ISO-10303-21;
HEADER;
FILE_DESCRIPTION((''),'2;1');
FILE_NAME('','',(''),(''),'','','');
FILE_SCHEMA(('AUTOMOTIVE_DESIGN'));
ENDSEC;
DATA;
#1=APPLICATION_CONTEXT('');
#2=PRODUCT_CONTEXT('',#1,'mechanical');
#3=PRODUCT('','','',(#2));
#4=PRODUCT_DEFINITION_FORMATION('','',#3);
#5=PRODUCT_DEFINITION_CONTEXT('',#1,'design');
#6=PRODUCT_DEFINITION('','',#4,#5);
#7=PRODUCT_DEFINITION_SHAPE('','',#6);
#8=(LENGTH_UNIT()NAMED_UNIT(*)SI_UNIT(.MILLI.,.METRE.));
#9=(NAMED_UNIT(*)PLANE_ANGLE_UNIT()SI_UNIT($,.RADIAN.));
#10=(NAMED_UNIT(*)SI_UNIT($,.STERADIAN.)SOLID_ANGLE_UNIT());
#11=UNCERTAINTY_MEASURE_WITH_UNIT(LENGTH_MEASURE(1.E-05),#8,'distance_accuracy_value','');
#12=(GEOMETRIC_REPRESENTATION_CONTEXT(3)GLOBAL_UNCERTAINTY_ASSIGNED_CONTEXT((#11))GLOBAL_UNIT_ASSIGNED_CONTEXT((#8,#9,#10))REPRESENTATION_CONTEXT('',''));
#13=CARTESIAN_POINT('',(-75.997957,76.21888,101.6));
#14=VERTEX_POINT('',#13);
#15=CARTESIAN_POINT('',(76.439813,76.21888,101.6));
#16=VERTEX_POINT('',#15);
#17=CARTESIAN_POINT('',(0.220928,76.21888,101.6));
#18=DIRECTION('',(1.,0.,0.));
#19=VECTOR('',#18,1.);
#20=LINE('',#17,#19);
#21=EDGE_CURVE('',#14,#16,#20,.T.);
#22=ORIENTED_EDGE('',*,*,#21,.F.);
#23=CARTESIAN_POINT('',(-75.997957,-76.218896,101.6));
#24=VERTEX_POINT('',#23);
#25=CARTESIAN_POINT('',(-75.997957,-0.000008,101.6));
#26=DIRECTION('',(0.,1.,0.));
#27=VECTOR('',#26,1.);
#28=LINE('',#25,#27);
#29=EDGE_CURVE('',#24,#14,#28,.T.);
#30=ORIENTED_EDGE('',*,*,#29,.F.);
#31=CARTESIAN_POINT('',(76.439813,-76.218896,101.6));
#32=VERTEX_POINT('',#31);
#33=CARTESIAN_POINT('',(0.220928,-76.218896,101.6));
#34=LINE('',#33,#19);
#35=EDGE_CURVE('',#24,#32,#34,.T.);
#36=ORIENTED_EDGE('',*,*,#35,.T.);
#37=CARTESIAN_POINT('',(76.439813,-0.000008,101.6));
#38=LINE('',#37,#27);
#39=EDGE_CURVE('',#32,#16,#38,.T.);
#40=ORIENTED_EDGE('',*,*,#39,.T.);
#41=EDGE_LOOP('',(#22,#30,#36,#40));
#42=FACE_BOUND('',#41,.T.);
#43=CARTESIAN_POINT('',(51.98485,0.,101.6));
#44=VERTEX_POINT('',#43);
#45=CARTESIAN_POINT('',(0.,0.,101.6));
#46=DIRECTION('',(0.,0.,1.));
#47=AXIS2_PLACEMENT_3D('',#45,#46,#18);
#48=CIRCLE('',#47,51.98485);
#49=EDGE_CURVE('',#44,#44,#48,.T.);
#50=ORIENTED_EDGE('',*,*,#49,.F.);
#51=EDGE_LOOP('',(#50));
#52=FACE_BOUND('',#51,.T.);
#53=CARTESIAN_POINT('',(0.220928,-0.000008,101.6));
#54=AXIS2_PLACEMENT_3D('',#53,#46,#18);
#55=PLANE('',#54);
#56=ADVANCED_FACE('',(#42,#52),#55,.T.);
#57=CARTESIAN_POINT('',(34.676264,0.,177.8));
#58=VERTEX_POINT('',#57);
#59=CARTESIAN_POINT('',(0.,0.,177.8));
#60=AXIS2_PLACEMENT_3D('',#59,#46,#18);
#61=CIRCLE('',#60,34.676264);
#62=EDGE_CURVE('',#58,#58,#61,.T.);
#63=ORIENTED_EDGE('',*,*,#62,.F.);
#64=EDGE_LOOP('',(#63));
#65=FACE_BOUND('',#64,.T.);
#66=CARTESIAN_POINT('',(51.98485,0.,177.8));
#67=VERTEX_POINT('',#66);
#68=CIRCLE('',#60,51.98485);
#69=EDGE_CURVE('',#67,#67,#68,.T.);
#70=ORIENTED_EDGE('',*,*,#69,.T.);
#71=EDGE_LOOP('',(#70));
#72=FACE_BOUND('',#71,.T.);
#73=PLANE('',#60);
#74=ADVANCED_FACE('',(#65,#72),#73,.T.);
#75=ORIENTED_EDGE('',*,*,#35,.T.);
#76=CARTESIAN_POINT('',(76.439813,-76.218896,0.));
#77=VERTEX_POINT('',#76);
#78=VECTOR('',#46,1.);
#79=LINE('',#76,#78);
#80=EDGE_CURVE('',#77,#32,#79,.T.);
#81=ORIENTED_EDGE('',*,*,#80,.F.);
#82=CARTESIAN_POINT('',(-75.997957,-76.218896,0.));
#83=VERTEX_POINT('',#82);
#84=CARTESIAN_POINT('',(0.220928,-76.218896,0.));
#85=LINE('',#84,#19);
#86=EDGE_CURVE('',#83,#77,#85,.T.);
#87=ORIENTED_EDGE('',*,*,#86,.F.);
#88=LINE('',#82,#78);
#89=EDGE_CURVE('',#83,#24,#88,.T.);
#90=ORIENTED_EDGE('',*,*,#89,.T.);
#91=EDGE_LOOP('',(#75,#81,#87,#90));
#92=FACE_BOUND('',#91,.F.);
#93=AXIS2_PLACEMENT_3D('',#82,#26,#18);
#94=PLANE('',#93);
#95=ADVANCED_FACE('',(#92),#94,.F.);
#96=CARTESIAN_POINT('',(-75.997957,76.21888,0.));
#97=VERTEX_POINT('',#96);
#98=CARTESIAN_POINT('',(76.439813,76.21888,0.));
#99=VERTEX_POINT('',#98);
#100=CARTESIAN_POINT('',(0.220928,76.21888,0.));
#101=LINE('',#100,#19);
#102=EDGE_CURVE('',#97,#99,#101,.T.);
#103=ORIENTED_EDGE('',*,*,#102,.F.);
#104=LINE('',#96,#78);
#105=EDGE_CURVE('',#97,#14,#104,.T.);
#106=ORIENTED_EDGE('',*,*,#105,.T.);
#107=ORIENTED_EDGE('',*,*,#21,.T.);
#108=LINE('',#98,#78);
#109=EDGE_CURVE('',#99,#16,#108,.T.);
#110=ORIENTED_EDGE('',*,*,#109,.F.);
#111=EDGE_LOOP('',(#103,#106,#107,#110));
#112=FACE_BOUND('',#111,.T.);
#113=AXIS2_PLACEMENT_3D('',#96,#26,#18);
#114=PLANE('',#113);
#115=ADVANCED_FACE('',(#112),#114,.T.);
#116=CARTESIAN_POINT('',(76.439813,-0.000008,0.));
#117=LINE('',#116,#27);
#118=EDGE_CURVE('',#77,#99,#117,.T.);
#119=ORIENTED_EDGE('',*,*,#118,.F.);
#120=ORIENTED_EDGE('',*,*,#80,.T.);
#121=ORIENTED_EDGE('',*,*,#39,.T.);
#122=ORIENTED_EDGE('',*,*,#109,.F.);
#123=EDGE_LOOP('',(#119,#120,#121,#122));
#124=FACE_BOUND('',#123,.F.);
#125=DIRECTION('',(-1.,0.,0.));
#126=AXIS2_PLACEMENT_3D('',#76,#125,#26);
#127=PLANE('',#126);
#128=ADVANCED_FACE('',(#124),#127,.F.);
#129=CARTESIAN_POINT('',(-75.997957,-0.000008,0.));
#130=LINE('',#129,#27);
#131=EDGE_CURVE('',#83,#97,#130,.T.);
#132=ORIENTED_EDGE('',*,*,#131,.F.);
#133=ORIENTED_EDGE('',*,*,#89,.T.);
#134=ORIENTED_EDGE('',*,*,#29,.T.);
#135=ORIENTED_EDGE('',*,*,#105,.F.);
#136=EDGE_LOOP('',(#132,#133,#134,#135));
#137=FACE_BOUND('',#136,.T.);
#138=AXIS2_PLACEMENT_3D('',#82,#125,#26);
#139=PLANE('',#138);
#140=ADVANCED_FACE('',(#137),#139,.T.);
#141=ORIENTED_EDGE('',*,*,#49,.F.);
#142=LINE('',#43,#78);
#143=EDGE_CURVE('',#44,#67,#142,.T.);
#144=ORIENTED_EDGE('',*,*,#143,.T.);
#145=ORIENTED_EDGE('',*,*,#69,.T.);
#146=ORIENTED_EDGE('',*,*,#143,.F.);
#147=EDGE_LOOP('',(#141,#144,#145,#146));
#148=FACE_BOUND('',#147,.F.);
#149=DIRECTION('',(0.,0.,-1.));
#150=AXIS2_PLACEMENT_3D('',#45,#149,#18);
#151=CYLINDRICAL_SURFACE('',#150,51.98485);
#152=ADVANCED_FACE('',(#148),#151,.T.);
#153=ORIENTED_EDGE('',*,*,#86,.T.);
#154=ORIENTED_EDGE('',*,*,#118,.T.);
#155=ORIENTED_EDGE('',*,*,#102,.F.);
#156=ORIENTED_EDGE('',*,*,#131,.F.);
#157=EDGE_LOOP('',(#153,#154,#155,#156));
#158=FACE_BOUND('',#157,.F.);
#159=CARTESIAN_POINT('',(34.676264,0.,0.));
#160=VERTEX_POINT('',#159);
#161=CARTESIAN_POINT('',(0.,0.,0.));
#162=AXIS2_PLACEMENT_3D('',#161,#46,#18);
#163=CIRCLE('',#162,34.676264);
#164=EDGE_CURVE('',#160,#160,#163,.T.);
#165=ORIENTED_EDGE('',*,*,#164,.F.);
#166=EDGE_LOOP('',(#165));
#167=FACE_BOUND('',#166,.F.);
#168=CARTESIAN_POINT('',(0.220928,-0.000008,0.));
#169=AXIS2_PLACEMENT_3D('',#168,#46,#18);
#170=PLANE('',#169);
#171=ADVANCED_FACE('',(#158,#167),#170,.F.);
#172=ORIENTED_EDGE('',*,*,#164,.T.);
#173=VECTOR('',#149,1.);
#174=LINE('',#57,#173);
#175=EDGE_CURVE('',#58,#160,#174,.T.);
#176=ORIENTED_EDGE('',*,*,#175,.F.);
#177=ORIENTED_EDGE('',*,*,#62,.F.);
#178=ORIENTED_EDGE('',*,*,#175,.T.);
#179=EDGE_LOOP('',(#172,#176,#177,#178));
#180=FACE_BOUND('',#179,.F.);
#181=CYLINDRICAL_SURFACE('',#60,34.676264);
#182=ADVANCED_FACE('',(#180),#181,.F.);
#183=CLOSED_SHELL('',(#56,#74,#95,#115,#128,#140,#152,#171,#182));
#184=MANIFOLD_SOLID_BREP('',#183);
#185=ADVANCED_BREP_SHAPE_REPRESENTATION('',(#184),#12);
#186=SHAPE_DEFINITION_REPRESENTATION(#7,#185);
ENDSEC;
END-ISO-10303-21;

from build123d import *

# Parameters (mm, degrees)
F0_W     = 152.437769
F0_H     = 152.437777
F1_DEPTH = 101.6
F2_R     = 51.98485
F3_DEPTH = 76.2
F4_R     = 34.676264
F5_DEPTH = 177.801


with BuildPart() as f1:
    # F0 (on Top) → F1 (new body)
    with BuildSketch(Plane.XY):
        with Locations((0.220928, -8e-06)):
            Rectangle(F0_W, F0_H)
    extrude(amount=F1_DEPTH)

    # F2 (on face) → F3 (join)
    with BuildSketch(Plane.XY.offset(101.6)):
        Circle(F2_R)
    extrude(amount=F3_DEPTH)

    # F4 (on face) → F5 (cut, through all)
    with BuildSketch(Plane.XY.offset(177.8)):
        Circle(F4_R)
    extrude(amount=-F5_DEPTH, mode=Mode.SUBTRACT)


solid = f1.part
